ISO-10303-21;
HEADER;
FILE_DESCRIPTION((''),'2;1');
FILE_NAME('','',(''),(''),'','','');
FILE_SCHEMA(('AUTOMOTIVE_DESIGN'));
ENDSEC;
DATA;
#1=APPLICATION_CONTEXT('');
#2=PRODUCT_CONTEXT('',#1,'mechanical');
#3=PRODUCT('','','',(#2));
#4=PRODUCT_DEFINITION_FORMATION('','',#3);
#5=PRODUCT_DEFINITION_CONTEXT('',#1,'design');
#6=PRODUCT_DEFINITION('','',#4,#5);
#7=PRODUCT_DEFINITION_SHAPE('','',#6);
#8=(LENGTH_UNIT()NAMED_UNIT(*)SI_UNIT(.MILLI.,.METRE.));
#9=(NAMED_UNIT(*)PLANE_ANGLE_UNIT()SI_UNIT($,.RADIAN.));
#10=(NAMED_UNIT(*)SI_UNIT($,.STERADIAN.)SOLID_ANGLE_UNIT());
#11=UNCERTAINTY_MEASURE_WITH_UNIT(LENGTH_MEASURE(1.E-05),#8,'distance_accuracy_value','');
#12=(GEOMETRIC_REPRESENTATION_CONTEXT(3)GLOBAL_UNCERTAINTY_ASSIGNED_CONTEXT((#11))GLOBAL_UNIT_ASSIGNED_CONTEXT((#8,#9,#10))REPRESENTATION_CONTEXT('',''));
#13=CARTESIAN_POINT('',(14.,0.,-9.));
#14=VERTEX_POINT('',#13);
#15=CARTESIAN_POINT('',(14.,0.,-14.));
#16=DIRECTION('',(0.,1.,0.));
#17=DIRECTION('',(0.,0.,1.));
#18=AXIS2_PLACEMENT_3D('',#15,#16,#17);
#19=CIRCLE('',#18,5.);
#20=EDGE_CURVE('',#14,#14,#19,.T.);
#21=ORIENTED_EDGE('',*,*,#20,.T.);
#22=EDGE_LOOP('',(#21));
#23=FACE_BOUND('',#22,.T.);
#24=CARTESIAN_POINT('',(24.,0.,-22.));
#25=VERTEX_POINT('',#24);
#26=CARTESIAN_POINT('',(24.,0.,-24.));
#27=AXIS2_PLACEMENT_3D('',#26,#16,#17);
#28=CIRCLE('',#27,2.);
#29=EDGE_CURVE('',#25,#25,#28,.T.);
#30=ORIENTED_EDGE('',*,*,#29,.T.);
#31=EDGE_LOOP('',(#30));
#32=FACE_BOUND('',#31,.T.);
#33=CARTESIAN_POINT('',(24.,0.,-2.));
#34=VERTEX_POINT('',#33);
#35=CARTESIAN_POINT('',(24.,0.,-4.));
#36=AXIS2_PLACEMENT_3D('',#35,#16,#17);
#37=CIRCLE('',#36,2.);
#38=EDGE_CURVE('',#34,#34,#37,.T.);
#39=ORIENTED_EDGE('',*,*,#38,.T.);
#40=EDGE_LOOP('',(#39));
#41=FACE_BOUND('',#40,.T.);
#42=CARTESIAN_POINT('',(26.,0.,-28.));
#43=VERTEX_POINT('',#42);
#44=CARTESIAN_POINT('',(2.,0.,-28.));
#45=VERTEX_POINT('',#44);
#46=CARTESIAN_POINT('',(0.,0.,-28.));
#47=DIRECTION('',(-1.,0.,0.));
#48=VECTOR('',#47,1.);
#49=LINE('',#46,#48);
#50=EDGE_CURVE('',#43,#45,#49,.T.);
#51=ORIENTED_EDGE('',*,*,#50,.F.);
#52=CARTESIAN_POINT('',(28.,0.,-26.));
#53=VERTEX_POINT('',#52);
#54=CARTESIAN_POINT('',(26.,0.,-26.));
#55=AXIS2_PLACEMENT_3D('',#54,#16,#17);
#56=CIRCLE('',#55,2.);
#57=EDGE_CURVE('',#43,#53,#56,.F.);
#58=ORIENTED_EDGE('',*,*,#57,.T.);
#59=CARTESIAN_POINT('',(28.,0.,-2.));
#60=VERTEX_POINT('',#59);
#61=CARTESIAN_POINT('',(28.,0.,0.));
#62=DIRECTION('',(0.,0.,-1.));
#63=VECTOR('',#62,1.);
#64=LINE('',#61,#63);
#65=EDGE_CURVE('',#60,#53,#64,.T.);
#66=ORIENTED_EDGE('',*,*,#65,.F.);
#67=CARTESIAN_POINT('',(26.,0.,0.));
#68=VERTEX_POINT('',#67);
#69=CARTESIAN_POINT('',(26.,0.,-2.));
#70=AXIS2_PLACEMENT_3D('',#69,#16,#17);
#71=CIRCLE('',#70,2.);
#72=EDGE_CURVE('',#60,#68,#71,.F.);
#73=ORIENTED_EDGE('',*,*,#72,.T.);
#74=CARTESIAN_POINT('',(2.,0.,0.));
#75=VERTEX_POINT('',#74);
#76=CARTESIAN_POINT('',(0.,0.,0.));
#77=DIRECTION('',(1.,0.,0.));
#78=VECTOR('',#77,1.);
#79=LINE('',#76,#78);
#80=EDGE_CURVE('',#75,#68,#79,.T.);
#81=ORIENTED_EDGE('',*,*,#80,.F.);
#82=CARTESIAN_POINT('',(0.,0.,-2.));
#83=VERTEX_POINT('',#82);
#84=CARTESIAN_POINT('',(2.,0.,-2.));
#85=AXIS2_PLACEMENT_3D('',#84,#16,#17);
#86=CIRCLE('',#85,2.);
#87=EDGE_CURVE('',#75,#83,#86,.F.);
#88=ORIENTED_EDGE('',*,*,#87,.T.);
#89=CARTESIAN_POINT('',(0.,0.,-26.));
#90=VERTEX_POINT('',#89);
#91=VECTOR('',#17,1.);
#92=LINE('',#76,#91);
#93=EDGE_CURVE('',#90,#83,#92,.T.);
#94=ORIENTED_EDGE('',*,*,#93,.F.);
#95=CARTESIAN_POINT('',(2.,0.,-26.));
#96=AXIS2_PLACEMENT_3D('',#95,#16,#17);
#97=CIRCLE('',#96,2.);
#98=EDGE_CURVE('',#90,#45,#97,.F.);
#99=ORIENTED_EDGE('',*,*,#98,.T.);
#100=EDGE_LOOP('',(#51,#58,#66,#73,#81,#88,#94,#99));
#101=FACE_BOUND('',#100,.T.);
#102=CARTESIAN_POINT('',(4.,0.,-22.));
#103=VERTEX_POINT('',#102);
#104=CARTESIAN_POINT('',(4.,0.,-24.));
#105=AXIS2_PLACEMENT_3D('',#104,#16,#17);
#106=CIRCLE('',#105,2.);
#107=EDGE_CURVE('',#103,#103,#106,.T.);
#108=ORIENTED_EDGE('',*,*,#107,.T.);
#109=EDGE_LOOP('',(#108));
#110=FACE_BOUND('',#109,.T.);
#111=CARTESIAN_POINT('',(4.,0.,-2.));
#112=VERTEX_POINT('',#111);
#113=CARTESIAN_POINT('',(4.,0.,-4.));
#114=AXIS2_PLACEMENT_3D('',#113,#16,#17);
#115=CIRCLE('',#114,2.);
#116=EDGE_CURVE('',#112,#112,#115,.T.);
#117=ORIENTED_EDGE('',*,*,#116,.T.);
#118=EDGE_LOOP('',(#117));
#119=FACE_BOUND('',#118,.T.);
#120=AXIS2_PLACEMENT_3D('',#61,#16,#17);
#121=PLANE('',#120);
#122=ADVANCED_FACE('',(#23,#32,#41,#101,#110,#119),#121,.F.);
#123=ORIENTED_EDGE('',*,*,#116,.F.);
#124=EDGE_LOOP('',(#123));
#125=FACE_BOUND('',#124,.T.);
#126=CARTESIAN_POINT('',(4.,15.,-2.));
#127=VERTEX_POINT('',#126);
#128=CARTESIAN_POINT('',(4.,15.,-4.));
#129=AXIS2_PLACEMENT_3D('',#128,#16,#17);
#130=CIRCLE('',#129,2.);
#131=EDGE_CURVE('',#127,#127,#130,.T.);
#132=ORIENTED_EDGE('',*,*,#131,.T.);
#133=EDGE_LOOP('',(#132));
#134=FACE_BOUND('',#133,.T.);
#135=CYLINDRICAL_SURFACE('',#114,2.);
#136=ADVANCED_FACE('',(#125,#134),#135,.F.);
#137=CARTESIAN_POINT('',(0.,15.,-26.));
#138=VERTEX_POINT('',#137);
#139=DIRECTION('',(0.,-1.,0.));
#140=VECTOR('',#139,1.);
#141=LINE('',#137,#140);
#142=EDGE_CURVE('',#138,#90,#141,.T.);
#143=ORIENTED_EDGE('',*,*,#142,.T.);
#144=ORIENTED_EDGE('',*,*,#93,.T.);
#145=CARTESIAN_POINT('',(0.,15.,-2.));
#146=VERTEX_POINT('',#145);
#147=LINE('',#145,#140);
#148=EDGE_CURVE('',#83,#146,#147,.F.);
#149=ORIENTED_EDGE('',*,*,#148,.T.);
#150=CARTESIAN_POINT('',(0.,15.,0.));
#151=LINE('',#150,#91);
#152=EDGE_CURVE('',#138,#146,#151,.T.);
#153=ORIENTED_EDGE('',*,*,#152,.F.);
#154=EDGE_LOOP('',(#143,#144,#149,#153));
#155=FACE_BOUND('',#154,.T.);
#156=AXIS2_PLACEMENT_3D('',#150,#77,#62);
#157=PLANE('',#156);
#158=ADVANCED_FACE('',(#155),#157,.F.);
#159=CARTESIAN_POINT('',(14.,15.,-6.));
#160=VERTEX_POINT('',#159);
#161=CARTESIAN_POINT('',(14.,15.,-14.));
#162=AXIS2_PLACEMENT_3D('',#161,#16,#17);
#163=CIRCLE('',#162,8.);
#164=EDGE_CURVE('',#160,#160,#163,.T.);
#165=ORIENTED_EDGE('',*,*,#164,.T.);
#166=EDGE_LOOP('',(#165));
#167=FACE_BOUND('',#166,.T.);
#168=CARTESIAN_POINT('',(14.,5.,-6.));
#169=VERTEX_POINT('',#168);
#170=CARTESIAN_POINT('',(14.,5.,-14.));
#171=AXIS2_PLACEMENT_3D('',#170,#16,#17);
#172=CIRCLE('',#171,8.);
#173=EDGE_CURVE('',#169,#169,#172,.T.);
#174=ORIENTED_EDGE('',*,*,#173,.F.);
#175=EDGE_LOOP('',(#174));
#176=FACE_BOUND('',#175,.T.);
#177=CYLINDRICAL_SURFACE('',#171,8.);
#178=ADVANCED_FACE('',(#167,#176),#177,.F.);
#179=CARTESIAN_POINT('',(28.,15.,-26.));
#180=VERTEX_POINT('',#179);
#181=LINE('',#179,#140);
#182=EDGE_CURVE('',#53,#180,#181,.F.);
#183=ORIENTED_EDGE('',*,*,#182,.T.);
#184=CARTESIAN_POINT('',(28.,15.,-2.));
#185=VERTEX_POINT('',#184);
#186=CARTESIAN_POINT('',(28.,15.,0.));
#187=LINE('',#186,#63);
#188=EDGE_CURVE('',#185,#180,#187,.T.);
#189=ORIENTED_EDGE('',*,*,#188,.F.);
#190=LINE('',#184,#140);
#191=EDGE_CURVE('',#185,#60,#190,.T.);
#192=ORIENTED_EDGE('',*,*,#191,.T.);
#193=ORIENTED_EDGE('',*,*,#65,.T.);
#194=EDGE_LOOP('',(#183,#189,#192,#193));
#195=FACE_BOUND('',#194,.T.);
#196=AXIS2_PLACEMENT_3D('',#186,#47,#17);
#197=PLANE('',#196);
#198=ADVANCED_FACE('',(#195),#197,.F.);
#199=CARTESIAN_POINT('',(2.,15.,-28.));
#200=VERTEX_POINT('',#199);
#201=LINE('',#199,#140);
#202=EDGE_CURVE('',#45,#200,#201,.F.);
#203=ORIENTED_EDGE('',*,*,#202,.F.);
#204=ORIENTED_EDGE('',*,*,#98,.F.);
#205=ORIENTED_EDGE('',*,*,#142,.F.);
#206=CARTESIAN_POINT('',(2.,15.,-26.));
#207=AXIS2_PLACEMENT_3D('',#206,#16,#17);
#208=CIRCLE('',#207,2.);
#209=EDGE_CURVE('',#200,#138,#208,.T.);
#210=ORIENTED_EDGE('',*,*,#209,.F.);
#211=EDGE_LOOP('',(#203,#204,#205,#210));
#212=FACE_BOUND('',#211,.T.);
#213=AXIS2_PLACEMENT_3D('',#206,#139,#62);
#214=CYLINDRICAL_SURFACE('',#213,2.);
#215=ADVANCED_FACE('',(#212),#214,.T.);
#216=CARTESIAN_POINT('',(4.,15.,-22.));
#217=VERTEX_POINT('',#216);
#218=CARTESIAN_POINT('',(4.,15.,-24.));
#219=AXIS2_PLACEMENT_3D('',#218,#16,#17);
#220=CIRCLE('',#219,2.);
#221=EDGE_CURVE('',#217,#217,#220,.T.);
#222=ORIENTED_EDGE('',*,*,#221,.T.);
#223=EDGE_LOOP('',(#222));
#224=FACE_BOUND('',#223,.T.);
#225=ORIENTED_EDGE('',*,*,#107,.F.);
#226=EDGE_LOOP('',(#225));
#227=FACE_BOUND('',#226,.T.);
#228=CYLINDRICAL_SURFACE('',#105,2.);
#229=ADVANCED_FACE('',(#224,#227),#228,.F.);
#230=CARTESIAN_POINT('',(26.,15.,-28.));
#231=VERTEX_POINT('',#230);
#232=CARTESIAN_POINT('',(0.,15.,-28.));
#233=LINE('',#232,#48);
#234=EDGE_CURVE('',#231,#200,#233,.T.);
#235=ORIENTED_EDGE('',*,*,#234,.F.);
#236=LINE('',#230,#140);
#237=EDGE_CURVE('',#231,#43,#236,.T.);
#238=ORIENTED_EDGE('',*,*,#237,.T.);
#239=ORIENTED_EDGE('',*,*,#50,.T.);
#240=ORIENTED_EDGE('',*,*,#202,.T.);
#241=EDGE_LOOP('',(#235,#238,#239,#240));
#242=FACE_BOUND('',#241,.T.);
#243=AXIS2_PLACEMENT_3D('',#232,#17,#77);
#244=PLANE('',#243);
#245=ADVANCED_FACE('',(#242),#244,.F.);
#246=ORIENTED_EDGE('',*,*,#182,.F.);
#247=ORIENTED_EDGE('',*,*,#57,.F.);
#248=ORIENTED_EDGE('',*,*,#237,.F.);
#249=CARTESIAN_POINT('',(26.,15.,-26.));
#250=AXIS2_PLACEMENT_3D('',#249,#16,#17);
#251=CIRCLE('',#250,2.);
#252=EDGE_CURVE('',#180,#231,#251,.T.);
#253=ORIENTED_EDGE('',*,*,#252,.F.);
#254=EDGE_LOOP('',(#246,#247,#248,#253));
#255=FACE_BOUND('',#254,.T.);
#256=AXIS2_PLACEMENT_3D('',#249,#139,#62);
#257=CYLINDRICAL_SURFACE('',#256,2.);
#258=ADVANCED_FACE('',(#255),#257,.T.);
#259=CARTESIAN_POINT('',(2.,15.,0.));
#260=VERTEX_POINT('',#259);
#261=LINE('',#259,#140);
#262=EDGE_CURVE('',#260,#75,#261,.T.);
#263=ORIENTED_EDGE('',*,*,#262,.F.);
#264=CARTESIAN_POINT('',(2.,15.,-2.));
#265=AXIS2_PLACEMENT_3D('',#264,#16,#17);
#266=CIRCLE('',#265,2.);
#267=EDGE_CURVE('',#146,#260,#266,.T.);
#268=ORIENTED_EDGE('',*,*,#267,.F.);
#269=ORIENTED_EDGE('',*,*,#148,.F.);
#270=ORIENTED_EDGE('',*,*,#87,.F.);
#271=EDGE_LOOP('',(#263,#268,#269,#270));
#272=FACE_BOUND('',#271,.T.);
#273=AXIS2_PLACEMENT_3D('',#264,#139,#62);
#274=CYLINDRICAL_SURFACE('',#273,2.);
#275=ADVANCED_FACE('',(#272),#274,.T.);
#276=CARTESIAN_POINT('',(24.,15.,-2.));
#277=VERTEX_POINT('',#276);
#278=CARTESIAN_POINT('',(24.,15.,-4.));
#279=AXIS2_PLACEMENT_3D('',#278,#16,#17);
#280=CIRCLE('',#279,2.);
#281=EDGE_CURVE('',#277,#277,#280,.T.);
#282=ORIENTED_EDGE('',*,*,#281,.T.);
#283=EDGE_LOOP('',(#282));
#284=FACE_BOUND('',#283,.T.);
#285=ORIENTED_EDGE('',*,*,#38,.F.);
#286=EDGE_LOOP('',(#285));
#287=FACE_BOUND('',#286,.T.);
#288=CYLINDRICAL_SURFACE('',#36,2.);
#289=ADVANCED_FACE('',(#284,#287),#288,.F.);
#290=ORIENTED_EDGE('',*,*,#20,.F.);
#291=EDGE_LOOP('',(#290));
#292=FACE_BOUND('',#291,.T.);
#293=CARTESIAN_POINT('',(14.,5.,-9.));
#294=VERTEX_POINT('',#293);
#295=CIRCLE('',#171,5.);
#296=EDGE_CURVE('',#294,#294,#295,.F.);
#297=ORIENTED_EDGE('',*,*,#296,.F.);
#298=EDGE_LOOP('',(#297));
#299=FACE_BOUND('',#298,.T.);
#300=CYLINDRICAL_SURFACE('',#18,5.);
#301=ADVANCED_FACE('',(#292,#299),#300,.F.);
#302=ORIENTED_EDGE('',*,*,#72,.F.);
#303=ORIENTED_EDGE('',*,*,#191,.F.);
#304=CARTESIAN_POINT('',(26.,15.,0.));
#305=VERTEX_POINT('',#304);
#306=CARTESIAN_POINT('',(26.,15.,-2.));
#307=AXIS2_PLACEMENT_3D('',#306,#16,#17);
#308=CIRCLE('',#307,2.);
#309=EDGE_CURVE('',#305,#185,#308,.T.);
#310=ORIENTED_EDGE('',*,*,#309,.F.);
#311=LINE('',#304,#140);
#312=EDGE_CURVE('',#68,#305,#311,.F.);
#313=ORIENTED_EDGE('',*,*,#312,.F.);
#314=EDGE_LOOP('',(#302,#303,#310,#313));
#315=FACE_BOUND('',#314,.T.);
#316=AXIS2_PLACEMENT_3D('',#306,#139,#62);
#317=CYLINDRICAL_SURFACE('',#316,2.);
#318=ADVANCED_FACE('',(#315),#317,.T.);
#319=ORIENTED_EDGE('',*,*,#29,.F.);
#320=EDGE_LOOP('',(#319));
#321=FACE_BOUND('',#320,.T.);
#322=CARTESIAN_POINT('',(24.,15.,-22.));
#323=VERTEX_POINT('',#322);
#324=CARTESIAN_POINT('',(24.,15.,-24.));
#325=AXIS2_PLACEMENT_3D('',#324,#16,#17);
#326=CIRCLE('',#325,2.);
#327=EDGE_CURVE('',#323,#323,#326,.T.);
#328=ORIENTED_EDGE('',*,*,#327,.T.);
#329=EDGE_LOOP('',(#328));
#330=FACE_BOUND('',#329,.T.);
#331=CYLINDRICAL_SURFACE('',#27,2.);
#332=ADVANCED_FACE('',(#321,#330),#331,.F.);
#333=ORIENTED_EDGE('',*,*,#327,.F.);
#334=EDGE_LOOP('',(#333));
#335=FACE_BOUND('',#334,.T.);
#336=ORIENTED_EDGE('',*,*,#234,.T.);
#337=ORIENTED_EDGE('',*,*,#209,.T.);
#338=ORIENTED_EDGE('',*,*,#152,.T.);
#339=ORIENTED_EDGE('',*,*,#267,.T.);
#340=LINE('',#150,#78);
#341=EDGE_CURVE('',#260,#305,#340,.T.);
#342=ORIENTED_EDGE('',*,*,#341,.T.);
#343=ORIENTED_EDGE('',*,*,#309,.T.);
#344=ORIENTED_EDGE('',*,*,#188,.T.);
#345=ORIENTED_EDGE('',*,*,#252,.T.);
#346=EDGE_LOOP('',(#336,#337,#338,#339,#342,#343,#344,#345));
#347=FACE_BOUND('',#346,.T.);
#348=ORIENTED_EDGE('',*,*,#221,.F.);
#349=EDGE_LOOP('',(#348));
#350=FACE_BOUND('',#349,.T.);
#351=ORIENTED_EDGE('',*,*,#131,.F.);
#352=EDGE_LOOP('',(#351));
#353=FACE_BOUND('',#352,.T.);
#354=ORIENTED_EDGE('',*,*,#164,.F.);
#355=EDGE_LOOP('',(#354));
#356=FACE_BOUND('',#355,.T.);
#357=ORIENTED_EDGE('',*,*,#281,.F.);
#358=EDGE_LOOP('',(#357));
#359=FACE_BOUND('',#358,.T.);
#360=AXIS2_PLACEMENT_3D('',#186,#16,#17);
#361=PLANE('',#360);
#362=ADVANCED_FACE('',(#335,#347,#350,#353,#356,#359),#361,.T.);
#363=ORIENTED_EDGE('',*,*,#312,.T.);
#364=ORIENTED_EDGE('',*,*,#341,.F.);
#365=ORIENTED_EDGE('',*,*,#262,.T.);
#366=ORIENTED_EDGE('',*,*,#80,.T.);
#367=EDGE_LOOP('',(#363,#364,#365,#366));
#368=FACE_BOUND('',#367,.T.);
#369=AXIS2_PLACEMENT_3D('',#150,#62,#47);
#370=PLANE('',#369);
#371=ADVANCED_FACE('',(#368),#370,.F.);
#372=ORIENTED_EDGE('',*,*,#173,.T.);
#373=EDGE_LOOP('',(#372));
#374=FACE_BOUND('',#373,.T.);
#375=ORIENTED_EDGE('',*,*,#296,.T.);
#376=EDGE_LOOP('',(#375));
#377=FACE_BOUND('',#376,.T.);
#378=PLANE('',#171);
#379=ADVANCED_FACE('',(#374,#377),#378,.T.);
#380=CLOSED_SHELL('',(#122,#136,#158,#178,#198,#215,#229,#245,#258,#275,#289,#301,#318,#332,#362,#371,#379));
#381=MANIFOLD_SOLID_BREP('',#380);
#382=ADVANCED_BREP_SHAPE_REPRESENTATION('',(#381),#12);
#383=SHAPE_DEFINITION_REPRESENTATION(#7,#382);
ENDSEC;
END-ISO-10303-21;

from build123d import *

# Parameters (mm, degrees)
SKETCH1_W           = 28
SKETCH1_H           = 28
BOSS_EXTRUDE1_DEPTH = 15
SKETCH2_R           = 5
SKETCH2_R_2         = 2
CUT_EXTRUDE1_DEPTH  = 16
SKETCH3_R           = 8
CUT_EXTRUDE2_DEPTH  = 10
FILLET1_R           = 2


with BuildPart() as part:
    # Sketch1 → Boss-Extrude1 (new body)
    with BuildSketch(Plane(origin=(0, 0, 0), x_dir=(1, 0, 0), z_dir=(0, 1, 0))):
        with Locations((14, 14)):
            Rectangle(SKETCH1_W, SKETCH1_H)
    extrude(amount=BOSS_EXTRUDE1_DEPTH)

    # Sketch2 → Cut-Extrude1 (cut, through all)
    with BuildSketch(Plane(origin=(0, 15, 0), x_dir=(-1, 0, 0), z_dir=(0, 1, 0))):
        with Locations((-14, -14)):
            Circle(SKETCH2_R)
        with Locations((-4, -24)):
            Circle(SKETCH2_R_2)
        with Locations((-24, -24)):
            Circle(SKETCH2_R_2)
        with Locations((-4, -4)):
            Circle(SKETCH2_R_2)
        with Locations((-24, -4)):
            Circle(SKETCH2_R_2)
    extrude(amount=-CUT_EXTRUDE1_DEPTH, mode=Mode.SUBTRACT)

    # Sketch3 → Cut-Extrude2 (cut)
    with BuildSketch(Plane(origin=(0, 15, 0), x_dir=(1, 0, 0), z_dir=(0, 1, 0))):
        with Locations((14, 14)):
            Circle(SKETCH3_R)
    extrude(amount=-CUT_EXTRUDE2_DEPTH, mode=Mode.SUBTRACT)

    # Fillet1
    fillet1_edges = [part.edges().sort_by_distance(p)[0] for p in [
        (0, 7.5, 0),
        (0, 7.5, -28),
        (28, 7.5, -28),
        (28, 7.5, 0),
    ]]
    fillet(fillet1_edges, radius=FILLET1_R)


solid = part.part
